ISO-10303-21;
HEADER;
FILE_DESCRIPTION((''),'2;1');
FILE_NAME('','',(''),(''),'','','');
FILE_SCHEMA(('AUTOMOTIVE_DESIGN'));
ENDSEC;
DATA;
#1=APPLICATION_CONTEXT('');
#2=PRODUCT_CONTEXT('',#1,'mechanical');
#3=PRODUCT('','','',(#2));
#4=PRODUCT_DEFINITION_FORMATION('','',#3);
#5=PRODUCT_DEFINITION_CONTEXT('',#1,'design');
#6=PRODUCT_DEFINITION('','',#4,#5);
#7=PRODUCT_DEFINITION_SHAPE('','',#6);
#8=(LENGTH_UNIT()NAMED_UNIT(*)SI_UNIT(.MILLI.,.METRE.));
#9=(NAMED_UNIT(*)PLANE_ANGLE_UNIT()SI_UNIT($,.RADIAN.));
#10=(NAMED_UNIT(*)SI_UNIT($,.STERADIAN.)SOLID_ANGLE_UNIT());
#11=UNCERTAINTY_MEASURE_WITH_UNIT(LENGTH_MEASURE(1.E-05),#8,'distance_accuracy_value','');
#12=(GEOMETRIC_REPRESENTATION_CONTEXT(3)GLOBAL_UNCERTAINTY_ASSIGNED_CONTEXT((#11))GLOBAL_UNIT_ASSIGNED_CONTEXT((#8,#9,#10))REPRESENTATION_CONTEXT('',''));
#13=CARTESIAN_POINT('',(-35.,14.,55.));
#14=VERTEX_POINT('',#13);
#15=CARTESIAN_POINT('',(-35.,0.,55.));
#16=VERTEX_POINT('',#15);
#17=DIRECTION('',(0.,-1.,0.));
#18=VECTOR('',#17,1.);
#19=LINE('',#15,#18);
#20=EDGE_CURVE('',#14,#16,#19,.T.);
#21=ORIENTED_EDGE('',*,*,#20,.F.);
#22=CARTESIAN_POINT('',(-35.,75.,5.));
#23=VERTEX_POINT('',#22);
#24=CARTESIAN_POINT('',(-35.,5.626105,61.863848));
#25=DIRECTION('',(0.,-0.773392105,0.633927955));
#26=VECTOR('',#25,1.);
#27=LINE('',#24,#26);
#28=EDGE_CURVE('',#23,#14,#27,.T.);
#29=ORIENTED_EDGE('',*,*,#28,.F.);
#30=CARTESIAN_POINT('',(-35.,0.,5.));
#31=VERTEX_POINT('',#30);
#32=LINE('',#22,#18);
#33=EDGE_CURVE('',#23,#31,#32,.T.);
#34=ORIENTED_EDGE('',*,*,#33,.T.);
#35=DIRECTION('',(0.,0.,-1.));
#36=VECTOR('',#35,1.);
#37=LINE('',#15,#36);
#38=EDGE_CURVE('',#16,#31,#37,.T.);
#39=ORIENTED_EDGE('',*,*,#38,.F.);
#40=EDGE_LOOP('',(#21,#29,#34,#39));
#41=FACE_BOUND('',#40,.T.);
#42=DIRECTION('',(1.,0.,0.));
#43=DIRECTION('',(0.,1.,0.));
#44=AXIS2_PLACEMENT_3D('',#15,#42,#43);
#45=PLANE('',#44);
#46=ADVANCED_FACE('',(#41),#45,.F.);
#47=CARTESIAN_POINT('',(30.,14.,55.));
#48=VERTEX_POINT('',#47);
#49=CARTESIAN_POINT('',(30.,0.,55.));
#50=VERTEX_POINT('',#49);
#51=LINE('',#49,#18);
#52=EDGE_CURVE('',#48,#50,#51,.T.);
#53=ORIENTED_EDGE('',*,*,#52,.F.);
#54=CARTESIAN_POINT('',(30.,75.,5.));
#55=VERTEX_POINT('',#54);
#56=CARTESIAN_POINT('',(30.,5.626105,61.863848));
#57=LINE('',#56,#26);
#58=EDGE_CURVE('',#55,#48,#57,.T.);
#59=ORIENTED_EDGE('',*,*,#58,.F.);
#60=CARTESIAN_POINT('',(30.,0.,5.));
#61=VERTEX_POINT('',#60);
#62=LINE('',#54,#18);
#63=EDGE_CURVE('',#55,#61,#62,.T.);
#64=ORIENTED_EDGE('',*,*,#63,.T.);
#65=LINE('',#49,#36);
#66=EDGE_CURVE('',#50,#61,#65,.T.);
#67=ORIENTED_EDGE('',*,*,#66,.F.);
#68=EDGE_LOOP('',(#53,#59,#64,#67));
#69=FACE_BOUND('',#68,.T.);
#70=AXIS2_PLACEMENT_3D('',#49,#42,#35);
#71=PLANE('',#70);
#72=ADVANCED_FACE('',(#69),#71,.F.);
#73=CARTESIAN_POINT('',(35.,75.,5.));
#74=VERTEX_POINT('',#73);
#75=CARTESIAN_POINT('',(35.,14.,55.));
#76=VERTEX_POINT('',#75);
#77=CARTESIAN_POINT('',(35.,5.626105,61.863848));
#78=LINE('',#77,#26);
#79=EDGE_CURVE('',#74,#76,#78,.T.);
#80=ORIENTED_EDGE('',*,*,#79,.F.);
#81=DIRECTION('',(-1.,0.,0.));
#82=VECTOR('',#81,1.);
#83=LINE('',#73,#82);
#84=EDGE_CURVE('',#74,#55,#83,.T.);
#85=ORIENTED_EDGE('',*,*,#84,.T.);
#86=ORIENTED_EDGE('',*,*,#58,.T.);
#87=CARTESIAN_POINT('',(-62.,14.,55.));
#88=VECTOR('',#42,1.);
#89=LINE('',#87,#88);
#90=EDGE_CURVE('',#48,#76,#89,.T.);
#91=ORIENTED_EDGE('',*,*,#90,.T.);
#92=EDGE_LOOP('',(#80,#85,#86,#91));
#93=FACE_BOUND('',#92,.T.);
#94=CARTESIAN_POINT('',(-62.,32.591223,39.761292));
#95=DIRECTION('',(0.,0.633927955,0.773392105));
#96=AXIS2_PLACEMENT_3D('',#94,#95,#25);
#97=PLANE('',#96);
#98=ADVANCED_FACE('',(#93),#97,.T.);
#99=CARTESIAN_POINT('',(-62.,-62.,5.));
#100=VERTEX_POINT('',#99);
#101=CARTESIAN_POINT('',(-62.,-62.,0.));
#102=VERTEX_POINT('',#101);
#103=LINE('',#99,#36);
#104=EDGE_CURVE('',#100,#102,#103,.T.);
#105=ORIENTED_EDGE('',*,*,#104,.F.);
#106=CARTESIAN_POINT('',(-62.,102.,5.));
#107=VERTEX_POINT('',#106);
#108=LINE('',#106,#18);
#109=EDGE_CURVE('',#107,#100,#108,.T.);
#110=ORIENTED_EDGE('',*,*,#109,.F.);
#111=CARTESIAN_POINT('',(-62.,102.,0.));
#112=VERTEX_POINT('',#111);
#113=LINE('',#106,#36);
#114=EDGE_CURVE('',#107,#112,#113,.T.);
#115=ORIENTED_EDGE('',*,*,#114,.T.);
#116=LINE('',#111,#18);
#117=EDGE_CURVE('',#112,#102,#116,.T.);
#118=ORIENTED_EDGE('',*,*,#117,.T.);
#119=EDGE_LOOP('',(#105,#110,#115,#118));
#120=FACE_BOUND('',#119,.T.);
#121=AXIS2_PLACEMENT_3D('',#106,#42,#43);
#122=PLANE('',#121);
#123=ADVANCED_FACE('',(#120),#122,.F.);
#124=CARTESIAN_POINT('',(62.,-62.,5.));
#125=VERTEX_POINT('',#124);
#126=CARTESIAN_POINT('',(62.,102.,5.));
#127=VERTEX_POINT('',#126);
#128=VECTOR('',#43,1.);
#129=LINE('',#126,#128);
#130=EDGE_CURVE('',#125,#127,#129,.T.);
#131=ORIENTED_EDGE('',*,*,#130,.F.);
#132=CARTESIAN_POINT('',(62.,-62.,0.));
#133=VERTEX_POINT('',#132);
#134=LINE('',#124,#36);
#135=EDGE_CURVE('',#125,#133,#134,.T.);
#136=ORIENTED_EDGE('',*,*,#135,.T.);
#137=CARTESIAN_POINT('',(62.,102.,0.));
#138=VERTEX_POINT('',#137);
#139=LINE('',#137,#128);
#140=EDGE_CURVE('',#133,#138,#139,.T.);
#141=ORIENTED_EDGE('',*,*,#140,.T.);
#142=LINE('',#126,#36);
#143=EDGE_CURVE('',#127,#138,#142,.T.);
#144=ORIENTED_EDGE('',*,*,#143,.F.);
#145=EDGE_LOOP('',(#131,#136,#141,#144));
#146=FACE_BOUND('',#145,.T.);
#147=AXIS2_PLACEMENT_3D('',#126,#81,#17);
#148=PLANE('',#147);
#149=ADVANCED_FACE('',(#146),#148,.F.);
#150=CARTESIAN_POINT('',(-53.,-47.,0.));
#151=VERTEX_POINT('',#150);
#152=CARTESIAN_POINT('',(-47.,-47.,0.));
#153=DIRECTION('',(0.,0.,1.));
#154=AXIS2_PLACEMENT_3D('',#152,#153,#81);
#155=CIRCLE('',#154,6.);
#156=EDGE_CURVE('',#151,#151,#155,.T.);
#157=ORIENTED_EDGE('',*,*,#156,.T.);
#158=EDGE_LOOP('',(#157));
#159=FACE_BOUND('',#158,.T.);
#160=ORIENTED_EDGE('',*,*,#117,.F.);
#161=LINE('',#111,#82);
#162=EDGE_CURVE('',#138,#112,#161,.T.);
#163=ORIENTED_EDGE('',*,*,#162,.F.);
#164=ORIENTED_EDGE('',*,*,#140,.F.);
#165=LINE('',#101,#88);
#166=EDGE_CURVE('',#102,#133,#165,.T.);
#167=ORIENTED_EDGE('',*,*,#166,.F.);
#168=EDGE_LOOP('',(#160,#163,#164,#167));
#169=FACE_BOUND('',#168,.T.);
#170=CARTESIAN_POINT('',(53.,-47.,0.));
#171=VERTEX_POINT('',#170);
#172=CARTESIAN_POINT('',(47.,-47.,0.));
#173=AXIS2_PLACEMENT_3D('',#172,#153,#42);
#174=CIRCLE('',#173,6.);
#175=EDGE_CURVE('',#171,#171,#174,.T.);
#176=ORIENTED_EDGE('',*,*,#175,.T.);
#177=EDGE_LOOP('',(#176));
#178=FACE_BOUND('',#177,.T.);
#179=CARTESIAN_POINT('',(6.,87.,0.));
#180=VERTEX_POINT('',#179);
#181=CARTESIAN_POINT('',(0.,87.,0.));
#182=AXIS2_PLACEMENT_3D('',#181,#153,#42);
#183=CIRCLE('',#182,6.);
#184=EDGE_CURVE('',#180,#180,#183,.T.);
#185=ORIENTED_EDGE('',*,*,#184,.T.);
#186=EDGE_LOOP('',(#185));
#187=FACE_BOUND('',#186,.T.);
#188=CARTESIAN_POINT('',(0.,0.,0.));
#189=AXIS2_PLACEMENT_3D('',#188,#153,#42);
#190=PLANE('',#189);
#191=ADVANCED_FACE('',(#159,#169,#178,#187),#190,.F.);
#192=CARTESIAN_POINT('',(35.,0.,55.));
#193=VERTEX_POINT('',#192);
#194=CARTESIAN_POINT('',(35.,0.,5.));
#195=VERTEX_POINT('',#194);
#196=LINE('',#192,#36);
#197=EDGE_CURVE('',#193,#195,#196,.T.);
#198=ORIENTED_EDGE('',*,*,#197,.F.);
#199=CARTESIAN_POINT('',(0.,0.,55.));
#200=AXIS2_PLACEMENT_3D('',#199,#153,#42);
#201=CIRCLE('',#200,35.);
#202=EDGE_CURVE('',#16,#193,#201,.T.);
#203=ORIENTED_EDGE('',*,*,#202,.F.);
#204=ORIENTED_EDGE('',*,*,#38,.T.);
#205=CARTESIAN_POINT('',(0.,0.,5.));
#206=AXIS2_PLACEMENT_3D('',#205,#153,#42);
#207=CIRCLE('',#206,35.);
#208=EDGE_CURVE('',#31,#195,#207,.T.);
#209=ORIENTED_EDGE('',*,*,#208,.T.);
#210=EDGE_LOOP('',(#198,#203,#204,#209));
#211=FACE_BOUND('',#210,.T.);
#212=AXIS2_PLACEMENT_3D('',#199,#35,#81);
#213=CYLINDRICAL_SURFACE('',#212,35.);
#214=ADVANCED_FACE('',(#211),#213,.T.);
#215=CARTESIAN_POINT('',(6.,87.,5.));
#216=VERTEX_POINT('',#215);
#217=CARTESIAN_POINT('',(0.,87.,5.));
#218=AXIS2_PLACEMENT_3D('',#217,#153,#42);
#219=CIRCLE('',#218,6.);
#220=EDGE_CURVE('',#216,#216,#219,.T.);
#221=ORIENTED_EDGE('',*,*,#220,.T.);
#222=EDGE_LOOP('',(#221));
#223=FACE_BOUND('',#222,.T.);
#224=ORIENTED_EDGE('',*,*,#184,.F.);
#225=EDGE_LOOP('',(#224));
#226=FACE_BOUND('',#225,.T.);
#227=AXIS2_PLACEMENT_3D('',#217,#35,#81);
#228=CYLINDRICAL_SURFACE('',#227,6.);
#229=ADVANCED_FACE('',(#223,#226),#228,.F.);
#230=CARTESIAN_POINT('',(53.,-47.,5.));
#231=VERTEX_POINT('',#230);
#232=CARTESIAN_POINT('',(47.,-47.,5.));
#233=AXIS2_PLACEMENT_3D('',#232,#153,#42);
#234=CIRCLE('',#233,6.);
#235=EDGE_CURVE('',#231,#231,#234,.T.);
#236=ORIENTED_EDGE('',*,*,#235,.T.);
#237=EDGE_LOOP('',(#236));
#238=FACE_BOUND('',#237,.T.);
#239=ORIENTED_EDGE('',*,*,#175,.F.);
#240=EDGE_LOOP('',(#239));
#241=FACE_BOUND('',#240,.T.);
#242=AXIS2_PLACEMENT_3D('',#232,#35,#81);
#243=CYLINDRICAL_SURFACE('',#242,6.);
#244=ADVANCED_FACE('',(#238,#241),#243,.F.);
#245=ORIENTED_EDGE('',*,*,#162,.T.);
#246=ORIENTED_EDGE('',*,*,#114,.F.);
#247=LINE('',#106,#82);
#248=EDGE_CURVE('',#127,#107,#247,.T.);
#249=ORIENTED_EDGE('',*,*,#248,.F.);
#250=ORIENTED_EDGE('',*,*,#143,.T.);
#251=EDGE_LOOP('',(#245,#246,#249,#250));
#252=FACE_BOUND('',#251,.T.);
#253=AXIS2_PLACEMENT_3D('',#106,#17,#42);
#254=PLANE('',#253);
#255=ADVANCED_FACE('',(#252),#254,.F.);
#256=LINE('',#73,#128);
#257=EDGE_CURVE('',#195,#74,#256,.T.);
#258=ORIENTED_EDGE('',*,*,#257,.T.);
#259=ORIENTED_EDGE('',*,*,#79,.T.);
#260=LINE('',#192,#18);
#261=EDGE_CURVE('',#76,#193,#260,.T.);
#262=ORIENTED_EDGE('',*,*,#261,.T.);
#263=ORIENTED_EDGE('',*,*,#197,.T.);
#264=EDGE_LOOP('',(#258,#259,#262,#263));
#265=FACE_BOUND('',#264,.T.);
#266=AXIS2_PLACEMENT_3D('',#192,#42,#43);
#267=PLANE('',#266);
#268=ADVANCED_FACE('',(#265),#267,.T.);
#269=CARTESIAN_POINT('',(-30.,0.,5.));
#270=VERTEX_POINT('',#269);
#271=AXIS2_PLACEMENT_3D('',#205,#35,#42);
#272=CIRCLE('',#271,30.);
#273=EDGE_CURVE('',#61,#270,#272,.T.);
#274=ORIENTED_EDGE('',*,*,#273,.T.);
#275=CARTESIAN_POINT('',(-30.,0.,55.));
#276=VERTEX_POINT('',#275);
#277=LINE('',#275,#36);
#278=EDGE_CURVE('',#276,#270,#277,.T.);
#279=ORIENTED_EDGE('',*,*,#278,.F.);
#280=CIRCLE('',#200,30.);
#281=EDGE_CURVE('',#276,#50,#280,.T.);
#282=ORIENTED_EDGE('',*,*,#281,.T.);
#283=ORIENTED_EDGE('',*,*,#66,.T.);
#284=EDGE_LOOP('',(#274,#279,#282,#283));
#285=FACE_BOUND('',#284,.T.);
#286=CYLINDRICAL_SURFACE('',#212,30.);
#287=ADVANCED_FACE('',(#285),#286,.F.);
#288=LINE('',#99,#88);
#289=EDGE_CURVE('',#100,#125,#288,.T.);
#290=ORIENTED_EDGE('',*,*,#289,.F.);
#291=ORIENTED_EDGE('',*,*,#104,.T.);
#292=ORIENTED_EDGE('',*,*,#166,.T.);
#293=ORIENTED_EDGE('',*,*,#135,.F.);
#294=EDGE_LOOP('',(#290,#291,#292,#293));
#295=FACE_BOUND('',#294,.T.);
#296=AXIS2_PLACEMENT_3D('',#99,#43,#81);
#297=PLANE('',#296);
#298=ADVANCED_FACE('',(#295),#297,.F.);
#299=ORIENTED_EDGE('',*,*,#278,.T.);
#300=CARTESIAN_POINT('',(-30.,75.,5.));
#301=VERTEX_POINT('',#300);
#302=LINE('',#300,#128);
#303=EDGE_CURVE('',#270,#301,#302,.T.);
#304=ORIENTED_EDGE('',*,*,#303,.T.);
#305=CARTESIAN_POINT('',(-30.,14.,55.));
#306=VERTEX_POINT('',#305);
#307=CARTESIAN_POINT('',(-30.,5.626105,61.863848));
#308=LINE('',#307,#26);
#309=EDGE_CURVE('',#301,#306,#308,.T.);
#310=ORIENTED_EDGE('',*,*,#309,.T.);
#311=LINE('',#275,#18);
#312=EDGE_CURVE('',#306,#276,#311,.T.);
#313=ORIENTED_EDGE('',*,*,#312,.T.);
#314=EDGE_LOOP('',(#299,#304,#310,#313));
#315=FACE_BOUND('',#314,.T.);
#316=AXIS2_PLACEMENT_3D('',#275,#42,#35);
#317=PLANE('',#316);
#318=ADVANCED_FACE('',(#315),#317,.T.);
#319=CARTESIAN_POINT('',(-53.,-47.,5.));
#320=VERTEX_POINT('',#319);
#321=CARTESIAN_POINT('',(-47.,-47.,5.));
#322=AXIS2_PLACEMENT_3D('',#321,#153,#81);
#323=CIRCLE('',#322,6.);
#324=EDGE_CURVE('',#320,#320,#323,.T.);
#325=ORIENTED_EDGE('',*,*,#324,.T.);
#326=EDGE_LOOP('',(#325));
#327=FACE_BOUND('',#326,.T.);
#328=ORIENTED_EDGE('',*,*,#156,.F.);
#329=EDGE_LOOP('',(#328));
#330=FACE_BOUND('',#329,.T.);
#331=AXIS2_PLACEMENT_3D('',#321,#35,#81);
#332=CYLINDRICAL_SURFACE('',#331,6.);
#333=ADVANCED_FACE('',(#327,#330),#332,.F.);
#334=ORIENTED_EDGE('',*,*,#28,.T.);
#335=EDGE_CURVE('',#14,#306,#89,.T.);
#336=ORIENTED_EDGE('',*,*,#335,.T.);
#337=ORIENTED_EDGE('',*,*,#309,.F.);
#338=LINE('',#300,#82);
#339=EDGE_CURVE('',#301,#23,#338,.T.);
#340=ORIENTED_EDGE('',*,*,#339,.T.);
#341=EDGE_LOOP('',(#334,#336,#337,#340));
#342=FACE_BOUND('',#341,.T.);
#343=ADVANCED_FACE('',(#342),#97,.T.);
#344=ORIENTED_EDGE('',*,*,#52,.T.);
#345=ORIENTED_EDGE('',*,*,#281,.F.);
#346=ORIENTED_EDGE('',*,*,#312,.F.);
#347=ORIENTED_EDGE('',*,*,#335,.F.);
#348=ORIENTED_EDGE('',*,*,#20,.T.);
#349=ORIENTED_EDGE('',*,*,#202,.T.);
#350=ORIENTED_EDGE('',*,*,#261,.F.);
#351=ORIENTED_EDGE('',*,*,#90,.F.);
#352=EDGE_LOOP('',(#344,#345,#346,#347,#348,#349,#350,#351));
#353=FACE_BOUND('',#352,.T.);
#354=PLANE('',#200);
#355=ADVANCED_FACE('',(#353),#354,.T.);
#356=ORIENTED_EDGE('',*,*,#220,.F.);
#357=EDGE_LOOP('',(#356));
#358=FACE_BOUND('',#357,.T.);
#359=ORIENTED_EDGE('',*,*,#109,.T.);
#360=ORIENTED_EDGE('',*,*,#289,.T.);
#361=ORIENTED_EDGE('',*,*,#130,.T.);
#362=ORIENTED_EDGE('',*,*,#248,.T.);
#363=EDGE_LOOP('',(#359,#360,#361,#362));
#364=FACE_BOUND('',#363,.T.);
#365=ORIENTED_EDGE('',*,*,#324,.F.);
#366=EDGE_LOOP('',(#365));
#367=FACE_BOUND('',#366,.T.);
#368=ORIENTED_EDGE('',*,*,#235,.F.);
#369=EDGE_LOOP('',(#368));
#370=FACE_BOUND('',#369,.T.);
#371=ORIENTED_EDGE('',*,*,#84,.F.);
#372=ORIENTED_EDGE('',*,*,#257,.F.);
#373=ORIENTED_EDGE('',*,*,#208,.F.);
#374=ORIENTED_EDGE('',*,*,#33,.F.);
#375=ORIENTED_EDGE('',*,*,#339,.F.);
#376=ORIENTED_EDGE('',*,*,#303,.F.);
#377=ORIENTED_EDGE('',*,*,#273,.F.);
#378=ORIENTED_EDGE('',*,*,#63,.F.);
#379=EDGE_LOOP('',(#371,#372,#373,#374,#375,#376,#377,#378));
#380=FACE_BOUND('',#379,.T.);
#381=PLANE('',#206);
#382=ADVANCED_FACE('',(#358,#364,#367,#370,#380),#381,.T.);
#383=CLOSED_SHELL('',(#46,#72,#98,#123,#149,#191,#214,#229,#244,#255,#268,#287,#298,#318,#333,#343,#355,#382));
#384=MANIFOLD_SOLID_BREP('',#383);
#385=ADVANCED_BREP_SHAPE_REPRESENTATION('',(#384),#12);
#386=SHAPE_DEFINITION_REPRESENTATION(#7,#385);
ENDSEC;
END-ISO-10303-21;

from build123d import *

# Parameters (mm, degrees)
SKETCH1_W               = 124
SKETCH1_H               = 164
SKETCH1_R               = 6
BOSS_EXTRUDE1_DEPTH     = 5
BOSS_EXTRUDE2_DEPTH     = 55
CUT_EXTRUDE1_DEPTH      = 152.122466894
CUT_EXTRUDE1_DEPTH_BACK = 152.122466894


with BuildPart() as part:
    # Sketch1 → Boss-Extrude1 (new body)
    with BuildSketch(Plane.XY):
        with Locations((0, 20)):
            Rectangle(SKETCH1_W, SKETCH1_H)
        with Locations((0, 87)):
            Circle(SKETCH1_R, mode=Mode.SUBTRACT)
        with Locations((47, -47)):
            Circle(SKETCH1_R, mode=Mode.SUBTRACT)
        with Locations((-47, -47)):
            Circle(SKETCH1_R, mode=Mode.SUBTRACT)
        with BuildLine():
            Line((35, 75), (35, 0))
            ThreePointArc((35, 0), (0, -35), (-35, 0))
            Line((-35, 0), (-35, 75))
            Line((-35, 75), (-30, 75))
            Line((-30, 75), (-30, 0))
            ThreePointArc((-30, 0), (0, -30), (30, 0))
            Line((30, 0), (30, 75))
            Line((30, 75), (35, 75))
        make_face(mode=Mode.SUBTRACT)
    extrude(amount=BOSS_EXTRUDE1_DEPTH)

    # Sketch1<2> → Boss-Extrude2 (add)
    with BuildSketch(Plane.XY):
        with BuildLine():
            Line((35, 0), (35, 75))
            Line((35, 75), (30, 75))
            Line((30, 75), (30, 0))
            ThreePointArc((30, 0), (0, -30), (-30, 0))
            Line((-30, 0), (-30, 75))
            Line((-30, 75), (-35, 75))
            Line((-35, 75), (-35, 0))
            ThreePointArc((-35, 0), (0, -35), (35, 0))
        make_face()
    extrude(amount=BOSS_EXTRUDE2_DEPTH)

    # Sketch2 → Cut-Extrude1 (cut, two sides: drawn at the far end of the back side and taken through both)
    with BuildSketch(Plane(origin=(35, 0, 0), x_dir=(0, 0, -1), z_dir=(1, 0, 0)).offset(-CUT_EXTRUDE1_DEPTH_BACK)):
        Polygon((-55, 14), (-5, 75), (-55, 75), align=None)
    extrude(amount=CUT_EXTRUDE1_DEPTH + CUT_EXTRUDE1_DEPTH_BACK, mode=Mode.SUBTRACT)


solid = part.part
